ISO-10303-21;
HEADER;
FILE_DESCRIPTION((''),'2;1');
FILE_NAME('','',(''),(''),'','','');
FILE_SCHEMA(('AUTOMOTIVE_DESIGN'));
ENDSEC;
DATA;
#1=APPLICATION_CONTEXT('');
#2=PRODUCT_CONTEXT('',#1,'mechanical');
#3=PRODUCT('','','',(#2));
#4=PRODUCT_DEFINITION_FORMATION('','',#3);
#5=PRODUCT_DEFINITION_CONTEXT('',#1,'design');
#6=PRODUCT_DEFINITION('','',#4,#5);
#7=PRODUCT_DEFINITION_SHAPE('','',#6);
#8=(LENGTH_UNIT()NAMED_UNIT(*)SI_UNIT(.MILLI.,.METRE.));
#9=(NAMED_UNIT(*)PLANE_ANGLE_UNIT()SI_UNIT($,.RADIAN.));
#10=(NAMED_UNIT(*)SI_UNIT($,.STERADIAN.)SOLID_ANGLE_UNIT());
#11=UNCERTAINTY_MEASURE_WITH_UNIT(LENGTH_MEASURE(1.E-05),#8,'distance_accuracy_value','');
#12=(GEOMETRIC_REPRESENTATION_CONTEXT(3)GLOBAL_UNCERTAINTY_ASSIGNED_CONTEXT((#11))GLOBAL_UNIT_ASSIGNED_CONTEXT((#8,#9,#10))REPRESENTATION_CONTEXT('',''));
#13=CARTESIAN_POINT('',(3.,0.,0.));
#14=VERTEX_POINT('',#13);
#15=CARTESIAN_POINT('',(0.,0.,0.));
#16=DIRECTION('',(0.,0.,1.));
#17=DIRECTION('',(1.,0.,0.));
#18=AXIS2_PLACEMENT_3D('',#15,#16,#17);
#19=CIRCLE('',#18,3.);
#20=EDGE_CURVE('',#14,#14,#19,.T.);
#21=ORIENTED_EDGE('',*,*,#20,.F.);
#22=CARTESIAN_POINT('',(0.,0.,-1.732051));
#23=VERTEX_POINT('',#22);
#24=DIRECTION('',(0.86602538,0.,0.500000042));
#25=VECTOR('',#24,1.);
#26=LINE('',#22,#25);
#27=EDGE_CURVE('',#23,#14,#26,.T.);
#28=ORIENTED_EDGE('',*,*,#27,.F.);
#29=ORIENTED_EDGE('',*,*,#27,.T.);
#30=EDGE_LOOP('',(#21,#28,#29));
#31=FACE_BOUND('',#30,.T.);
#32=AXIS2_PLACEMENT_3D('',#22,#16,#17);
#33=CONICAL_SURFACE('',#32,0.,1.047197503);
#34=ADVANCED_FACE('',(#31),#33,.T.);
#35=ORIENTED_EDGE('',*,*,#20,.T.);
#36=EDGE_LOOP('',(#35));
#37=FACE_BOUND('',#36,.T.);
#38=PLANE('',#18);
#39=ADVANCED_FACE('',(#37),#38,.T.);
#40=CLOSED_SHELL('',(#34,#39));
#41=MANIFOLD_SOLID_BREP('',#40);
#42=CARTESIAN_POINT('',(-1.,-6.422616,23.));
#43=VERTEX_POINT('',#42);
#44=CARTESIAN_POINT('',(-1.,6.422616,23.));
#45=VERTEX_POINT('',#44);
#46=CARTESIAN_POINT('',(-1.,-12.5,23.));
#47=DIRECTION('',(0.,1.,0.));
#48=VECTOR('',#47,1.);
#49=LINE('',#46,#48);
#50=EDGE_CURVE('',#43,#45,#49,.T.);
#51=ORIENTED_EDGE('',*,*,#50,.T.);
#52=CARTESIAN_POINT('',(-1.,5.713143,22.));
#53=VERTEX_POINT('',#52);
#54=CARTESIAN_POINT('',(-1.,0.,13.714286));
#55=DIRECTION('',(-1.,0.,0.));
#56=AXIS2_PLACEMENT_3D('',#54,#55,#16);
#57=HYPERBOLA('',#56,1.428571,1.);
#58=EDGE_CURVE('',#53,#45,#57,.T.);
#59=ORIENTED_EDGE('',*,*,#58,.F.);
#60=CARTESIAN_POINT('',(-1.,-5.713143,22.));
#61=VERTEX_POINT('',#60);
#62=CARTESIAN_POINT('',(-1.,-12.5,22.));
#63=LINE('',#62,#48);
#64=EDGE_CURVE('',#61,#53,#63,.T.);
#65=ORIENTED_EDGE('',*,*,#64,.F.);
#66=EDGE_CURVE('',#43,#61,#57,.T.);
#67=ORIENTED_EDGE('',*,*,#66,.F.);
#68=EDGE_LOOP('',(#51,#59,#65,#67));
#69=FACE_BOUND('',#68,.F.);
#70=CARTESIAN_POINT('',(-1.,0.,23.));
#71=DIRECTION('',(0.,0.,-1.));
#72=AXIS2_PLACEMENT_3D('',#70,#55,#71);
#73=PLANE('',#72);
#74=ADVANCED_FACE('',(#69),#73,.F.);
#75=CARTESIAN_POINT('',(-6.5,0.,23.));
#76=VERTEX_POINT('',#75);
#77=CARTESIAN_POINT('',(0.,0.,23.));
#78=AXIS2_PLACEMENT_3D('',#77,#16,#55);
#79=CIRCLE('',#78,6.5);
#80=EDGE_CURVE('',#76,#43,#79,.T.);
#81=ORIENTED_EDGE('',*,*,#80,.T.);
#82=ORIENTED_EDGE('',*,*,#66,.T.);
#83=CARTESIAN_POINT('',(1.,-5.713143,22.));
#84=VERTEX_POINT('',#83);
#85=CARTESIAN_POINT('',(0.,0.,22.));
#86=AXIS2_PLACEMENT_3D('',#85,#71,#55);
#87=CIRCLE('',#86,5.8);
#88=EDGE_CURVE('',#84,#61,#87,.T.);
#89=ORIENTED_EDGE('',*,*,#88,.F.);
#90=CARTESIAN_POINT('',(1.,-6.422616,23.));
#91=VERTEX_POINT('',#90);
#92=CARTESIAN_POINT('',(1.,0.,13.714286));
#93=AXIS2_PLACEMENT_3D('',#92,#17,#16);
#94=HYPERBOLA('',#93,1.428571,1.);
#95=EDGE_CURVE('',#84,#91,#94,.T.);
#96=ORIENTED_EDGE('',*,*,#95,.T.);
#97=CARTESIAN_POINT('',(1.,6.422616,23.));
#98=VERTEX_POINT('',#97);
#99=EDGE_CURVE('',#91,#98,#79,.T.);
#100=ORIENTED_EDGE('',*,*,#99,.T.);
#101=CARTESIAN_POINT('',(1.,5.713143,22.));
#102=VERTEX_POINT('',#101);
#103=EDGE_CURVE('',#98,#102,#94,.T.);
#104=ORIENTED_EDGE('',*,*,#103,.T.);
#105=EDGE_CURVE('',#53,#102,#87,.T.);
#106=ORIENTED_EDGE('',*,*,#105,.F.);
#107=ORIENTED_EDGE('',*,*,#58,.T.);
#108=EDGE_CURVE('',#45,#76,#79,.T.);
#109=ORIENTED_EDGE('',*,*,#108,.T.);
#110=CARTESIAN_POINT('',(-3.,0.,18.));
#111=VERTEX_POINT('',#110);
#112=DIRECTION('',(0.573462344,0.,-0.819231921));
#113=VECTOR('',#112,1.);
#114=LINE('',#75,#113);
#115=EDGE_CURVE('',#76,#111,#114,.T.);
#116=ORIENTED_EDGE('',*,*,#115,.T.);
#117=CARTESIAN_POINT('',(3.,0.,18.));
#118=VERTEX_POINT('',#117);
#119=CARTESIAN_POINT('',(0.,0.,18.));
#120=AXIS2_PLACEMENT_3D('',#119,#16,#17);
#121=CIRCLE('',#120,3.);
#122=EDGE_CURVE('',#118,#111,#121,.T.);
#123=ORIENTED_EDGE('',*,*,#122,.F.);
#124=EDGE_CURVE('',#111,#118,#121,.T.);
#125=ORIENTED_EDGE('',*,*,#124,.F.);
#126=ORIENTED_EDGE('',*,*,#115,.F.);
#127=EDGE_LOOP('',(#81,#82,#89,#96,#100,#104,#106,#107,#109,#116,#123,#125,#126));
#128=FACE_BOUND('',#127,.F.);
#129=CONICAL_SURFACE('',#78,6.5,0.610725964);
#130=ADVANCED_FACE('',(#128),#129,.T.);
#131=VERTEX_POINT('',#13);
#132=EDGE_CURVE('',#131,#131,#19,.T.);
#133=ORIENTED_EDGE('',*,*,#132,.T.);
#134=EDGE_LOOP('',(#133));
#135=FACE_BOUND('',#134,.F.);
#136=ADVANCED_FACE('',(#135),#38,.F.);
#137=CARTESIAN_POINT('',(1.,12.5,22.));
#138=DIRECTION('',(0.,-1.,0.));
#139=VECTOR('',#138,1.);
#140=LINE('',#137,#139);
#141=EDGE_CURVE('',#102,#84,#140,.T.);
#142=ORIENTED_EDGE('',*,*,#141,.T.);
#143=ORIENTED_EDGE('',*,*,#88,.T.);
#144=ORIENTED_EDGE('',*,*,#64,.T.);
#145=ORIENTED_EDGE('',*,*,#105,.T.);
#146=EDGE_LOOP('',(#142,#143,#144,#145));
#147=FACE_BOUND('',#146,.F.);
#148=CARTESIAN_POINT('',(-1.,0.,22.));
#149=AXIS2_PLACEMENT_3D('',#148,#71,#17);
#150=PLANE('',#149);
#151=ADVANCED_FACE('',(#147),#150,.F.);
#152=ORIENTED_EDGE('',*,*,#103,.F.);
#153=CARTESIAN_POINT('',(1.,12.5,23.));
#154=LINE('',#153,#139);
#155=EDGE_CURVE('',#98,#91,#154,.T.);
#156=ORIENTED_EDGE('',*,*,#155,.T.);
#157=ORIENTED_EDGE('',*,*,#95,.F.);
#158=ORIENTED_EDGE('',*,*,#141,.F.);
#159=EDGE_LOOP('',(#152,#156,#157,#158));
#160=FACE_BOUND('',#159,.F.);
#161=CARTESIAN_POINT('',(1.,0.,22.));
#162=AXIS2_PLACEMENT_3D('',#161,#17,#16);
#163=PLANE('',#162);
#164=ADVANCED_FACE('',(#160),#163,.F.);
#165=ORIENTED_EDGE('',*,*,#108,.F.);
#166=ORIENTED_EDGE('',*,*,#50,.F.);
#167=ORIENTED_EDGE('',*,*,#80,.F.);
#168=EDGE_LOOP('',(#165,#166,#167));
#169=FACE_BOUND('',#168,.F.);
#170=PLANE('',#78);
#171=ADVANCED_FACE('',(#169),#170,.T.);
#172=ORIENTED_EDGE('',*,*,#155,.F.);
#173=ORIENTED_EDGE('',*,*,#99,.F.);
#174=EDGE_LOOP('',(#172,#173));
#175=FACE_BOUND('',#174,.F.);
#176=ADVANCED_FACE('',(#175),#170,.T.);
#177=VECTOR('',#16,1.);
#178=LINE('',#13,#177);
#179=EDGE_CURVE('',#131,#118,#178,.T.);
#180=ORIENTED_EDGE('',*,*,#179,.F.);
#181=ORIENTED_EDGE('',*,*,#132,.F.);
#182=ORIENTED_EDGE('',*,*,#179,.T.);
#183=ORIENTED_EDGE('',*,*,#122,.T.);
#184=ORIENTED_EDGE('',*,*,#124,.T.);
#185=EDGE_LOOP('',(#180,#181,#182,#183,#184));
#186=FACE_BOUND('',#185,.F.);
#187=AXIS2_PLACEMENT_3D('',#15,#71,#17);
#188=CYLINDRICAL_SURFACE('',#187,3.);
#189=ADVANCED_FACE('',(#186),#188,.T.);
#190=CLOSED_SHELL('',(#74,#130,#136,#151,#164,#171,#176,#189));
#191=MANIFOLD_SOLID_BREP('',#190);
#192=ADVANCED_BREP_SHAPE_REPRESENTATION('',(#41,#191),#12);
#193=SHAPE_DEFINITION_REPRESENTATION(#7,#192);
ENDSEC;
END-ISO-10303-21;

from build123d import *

# Parameters (mm, degrees)
F0_R     = 3
F1_DEPTH = 18
F7_DEPTH = 12.5


with BuildPart() as f1:
    # F0 (on Top) → F1 (new body)
    with BuildSketch(Plane.XY):
        Circle(F0_R)
    extrude(amount=F1_DEPTH)

    # F4 (on Front) → F5 (revolve)
    with BuildSketch(Plane.XZ):
        Polygon((-3, 18), (0, 18), (0, 23), (-6.5, 23), align=None)
    revolve(axis=Axis((0, 0, 20.5), (0, 0, 1)))

    # F6 (on Front) → F7 (cut, symmetric)
    with BuildSketch(Plane.XZ):
        Polygon((-1, 22), (0, 22), (1, 22), (1, 23), (-1, 23), align=None)
    extrude(amount=F7_DEPTH, both=True, mode=Mode.SUBTRACT)


with BuildPart() as f3:
    # F2 (on Front) → F3 (revolve)
    with BuildSketch(Plane.XZ):
        Polygon((3, 0), (0, 0), (0, -1.732051), align=None)
    revolve(axis=Axis((0, 0, -0.866025), (0, 0, 1)))


solid = Compound([f1.part, f3.part])
